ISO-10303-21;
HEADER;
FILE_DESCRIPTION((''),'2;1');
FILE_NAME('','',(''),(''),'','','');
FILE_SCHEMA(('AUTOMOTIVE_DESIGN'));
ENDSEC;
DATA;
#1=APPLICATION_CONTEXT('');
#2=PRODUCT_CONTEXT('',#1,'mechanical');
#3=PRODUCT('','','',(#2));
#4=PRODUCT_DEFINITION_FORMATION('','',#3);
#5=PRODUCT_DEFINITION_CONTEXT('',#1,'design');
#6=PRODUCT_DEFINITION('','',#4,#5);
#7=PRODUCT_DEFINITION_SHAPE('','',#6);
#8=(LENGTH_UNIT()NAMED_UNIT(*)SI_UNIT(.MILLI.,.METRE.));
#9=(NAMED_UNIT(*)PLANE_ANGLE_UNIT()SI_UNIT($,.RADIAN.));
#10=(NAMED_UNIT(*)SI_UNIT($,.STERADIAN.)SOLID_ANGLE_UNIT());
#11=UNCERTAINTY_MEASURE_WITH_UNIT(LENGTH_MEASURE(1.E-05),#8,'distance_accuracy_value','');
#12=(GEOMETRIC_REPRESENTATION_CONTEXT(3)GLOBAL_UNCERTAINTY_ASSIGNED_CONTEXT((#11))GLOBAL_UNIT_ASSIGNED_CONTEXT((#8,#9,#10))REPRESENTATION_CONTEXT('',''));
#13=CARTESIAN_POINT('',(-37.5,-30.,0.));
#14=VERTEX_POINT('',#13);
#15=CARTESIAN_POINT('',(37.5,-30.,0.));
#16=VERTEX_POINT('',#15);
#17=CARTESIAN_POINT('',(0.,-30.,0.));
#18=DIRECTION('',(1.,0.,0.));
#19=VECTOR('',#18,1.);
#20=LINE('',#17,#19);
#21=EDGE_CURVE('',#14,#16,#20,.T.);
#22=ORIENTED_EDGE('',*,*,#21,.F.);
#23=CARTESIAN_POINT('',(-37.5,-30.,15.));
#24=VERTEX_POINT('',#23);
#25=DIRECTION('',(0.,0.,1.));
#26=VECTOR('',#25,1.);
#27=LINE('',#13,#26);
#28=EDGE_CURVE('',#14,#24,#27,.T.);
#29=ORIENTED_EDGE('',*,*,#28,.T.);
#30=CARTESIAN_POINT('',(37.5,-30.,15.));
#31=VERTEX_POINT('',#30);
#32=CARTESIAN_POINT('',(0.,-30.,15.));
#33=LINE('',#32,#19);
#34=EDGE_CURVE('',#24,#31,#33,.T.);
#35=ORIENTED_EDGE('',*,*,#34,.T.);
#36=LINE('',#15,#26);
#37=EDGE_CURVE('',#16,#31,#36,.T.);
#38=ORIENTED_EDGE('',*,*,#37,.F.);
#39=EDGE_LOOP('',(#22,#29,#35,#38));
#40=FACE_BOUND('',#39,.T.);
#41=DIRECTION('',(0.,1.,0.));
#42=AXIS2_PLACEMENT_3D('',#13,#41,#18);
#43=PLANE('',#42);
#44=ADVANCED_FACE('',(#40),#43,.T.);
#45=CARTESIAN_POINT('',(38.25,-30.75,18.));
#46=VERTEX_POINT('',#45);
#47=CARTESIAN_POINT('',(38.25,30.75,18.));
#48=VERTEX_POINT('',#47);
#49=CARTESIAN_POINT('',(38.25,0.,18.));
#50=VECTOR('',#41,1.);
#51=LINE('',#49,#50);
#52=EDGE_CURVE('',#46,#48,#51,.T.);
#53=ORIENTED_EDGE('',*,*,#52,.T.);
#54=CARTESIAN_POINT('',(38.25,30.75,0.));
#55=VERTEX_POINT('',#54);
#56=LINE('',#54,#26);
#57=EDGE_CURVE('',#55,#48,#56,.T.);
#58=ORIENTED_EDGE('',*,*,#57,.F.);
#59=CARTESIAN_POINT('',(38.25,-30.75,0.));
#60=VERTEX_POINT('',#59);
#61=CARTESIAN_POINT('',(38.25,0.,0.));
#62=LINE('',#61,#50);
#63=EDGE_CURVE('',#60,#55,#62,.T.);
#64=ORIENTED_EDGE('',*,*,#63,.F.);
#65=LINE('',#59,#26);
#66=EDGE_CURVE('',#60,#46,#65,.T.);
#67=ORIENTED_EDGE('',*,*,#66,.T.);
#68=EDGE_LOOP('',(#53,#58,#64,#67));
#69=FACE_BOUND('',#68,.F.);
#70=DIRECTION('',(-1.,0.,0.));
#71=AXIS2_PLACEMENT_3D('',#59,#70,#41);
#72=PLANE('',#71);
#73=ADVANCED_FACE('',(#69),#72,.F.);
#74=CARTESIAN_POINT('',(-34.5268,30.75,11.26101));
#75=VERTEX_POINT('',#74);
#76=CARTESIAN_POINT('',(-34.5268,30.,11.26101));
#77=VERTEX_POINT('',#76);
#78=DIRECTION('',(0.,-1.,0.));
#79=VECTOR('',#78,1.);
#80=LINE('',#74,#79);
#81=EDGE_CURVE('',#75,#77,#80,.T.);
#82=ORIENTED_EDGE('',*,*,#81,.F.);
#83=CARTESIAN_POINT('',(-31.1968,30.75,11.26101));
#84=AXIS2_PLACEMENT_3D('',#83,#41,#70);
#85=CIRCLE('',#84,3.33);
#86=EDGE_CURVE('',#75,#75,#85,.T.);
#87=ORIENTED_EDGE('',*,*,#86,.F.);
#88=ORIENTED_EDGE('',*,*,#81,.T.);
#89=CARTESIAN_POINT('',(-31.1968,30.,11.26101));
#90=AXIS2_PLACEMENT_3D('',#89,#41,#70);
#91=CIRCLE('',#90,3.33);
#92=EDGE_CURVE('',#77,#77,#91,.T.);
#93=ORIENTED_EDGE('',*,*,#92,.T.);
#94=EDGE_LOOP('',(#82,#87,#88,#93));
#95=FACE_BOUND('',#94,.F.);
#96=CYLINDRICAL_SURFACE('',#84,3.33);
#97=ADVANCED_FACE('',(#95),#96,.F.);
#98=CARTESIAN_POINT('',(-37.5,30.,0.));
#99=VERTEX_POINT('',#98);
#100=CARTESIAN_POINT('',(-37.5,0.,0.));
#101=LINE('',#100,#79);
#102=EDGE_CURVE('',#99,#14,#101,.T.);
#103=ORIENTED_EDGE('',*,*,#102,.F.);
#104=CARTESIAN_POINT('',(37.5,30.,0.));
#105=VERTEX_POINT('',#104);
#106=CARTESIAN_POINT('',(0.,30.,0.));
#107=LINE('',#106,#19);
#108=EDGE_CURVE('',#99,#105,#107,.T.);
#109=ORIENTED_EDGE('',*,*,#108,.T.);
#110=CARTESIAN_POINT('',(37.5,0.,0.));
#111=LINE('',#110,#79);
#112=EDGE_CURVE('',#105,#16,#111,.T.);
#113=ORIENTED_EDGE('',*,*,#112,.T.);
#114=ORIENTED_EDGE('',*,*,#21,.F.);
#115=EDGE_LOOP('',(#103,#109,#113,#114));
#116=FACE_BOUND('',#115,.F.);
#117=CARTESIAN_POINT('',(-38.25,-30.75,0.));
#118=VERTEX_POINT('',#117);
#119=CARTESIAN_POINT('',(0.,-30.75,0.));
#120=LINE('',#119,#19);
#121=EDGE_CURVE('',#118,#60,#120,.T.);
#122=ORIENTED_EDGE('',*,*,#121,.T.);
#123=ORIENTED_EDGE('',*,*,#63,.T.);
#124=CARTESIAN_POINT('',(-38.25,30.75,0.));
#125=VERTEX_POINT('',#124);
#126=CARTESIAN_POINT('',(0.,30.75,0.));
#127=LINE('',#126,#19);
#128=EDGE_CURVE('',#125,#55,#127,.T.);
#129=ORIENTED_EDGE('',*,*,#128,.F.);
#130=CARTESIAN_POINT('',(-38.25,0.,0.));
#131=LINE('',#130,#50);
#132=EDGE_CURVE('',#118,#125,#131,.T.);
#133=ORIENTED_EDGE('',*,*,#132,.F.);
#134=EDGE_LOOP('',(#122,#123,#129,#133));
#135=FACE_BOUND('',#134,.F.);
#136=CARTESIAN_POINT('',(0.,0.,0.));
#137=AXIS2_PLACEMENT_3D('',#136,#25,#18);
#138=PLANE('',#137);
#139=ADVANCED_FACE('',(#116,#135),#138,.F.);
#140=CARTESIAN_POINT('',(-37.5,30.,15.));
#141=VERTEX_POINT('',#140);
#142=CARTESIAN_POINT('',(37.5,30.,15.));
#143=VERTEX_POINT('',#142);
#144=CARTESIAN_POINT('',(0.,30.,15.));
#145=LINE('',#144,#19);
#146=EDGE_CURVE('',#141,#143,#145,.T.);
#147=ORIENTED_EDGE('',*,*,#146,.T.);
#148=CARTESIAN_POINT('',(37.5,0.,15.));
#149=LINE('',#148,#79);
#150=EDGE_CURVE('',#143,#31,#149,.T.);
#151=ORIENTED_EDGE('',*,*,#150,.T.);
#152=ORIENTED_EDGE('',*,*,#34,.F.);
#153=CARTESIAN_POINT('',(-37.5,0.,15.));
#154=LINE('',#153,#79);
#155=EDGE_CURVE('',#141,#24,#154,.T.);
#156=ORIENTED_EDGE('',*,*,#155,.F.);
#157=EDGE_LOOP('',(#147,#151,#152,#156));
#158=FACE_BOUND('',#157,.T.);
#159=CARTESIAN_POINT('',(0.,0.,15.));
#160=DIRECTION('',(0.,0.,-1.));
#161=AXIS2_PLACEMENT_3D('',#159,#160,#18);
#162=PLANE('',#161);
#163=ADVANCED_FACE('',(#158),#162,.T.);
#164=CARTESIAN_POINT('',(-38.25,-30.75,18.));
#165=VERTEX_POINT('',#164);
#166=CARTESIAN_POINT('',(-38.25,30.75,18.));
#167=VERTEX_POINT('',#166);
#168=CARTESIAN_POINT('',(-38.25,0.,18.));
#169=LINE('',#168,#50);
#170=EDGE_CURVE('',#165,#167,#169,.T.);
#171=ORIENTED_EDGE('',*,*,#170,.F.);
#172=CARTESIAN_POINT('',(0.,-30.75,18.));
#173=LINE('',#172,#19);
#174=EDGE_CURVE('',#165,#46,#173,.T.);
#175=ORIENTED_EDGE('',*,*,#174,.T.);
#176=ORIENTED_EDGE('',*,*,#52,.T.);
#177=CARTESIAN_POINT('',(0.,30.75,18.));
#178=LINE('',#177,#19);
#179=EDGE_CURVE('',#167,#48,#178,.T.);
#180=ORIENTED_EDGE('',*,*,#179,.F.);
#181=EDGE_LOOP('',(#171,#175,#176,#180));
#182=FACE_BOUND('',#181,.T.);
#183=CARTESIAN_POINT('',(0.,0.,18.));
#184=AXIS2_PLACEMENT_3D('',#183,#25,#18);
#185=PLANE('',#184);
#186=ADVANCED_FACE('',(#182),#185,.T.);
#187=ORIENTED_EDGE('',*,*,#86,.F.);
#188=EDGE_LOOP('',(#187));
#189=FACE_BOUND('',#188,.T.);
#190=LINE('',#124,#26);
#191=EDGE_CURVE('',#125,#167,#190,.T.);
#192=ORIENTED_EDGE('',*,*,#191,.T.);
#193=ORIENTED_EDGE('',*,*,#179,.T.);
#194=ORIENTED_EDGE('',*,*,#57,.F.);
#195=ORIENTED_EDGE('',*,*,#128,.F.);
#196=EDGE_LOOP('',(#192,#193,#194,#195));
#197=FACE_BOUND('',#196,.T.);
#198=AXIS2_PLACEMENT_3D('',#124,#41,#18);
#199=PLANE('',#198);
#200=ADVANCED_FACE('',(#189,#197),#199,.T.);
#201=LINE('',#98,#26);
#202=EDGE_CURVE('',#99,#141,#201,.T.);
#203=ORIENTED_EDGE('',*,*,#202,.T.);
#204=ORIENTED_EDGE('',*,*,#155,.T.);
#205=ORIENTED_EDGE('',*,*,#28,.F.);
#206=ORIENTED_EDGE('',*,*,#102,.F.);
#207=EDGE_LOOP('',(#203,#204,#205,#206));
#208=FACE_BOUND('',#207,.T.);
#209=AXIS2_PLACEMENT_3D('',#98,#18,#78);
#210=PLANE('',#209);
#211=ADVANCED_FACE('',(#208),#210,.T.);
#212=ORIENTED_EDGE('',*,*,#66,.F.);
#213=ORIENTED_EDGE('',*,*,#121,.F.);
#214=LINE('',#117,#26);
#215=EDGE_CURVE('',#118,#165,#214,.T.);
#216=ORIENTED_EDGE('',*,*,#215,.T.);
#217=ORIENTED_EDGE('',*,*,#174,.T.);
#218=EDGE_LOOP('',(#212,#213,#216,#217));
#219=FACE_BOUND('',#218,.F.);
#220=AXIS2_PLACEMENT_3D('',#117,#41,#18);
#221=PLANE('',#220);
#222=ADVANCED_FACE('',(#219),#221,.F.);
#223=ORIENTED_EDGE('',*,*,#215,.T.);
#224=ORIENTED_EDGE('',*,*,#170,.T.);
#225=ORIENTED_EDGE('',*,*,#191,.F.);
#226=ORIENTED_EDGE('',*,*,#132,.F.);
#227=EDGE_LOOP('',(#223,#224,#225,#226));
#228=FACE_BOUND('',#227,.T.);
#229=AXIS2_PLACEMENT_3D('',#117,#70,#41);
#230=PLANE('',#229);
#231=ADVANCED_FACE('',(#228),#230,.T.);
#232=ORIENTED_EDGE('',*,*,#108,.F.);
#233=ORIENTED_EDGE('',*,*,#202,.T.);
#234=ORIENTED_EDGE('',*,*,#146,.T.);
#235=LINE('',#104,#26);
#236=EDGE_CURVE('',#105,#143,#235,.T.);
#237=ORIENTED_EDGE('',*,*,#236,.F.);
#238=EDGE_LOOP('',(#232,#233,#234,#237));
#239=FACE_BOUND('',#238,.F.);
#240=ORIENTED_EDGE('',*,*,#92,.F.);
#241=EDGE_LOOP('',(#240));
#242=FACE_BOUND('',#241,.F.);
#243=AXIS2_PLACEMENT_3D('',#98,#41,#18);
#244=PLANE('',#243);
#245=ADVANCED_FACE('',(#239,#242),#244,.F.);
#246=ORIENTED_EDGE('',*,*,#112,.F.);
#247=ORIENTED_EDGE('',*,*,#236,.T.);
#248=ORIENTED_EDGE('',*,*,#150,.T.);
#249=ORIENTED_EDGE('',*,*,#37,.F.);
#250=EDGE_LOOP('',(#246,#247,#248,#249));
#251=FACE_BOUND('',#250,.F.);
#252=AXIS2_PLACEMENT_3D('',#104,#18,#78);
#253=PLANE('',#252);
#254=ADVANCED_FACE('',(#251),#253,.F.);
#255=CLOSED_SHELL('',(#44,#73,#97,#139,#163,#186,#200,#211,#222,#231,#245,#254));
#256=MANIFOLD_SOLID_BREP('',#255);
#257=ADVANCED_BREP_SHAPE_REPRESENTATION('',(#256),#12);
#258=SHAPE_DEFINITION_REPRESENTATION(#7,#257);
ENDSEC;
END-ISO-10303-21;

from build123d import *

# Parameters (mm, degrees)
SKETCH_W        = 76.5
SKETCH_H        = 61.5
PAD_DEPTH       = 18
SKETCH001_W     = 75
SKETCH001_H     = 60
POCKET_DEPTH    = 15
SKETCH003_R     = 3.33
POCKET001_DEPTH = 5


with BuildPart() as part:
    # Sketch → Pad (new body)
    with BuildSketch(Plane.XY):
        Rectangle(SKETCH_W, SKETCH_H)
    extrude(amount=PAD_DEPTH)

    # Sketch001 (on Face5 of Pad) → Pocket (cut)
    with BuildSketch(Plane(origin=(0, 0, 0), x_dir=(1, 0, 0), z_dir=(0, 0, -1))):
        Rectangle(SKETCH001_W, SKETCH001_H)
    extrude(amount=-POCKET_DEPTH, mode=Mode.SUBTRACT)

    # Sketch003 (on Face1 of Pocket) → Pocket001 (cut)
    with BuildSketch(Plane(origin=(0, 30.75, 0), x_dir=(-1, 0, 0), z_dir=(0, 1, 0))):
        with Locations((31.1968, 11.26101)):
            Circle(SKETCH003_R)
    extrude(amount=-POCKET001_DEPTH, mode=Mode.SUBTRACT)


solid = part.part
